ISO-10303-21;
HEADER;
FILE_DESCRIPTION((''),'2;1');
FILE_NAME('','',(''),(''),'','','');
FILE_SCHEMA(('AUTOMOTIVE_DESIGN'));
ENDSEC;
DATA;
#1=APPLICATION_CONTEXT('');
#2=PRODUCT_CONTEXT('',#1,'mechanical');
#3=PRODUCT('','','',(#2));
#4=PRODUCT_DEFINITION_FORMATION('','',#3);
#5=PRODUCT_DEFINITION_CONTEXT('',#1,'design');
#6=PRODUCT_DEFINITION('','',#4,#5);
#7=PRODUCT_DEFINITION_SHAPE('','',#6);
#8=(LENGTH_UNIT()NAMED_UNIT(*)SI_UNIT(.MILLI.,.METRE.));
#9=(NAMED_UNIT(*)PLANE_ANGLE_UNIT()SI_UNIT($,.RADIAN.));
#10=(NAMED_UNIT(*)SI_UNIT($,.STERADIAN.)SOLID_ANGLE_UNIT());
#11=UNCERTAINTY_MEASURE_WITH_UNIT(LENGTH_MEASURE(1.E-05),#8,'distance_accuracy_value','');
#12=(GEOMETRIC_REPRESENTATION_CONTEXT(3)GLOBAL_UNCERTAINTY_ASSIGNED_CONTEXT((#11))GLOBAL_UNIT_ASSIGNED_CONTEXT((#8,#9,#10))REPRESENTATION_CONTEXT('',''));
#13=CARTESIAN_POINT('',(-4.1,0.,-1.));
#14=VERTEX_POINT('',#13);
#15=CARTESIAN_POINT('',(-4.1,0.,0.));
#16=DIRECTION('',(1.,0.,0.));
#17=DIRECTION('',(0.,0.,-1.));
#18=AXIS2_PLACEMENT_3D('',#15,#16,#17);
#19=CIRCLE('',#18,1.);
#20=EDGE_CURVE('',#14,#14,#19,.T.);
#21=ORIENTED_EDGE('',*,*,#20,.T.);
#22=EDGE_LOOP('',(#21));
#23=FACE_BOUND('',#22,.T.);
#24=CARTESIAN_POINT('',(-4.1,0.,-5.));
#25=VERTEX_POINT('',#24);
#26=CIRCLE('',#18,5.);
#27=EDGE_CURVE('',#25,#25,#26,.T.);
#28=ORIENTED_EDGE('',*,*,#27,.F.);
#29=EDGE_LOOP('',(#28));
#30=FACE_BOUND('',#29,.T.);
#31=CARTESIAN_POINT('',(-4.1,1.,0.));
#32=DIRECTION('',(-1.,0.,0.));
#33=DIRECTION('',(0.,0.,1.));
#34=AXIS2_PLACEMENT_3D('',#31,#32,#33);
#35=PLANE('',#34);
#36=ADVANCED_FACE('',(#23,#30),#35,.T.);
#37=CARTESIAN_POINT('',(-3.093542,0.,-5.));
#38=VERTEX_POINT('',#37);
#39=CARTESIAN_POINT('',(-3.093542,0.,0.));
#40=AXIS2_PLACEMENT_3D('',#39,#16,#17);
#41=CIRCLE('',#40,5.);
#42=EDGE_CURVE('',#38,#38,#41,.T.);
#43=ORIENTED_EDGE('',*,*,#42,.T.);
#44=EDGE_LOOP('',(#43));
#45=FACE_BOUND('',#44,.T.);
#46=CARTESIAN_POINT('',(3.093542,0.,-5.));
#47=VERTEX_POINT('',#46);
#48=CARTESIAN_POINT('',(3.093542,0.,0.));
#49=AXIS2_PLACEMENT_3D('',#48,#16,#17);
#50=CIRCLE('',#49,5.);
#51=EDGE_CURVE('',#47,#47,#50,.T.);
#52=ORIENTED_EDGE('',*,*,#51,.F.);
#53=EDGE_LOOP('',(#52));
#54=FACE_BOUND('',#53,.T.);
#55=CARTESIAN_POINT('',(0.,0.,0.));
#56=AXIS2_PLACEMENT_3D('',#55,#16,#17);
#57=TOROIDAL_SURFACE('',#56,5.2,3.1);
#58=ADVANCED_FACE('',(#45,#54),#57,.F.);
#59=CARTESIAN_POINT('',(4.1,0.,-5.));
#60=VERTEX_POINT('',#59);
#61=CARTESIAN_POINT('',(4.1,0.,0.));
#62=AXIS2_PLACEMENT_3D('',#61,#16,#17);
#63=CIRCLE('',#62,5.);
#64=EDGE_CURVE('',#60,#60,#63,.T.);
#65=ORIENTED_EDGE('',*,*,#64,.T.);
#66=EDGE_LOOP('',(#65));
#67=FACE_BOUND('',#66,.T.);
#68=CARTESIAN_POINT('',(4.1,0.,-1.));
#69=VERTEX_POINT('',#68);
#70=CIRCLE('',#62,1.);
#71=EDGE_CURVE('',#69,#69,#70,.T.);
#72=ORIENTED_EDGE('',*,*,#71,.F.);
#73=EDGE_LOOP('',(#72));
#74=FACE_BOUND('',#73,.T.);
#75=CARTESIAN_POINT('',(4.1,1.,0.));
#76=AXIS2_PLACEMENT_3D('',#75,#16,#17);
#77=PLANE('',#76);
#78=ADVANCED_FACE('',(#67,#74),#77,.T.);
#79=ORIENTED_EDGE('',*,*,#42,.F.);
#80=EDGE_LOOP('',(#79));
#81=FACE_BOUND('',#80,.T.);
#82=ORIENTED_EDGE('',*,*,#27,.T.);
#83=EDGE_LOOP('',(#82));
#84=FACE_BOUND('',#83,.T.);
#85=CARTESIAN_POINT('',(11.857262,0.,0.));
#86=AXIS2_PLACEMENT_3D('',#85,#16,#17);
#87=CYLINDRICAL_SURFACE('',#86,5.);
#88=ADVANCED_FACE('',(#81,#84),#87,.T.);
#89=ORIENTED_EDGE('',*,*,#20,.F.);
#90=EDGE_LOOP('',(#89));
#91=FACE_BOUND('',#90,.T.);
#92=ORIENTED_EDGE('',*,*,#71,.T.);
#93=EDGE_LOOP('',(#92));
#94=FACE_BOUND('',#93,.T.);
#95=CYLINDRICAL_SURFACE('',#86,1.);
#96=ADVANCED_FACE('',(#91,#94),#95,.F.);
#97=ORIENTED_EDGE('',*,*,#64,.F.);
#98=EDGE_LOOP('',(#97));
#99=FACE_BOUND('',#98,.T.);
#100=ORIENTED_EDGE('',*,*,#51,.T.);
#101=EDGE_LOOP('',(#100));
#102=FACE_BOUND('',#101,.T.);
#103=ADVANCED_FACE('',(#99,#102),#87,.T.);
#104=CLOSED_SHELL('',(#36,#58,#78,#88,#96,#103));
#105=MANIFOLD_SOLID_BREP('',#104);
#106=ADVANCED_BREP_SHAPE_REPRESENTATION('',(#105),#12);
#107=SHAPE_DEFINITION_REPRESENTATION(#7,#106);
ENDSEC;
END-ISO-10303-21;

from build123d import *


with BuildPart() as part:
    # Sketch1 → Revolve1 (revolve)
    with BuildSketch(Plane.XY):
        with BuildLine():
            Line((4.1, 1), (-4.1, 1))
            Line((-4.1, 1), (-4.1, 5))
            Line((-4.1, 5), (-3.09354166, 5))
            ThreePointArc((-3.09354166, 5), (0, 2.1), (3.09354166, 5))
            Line((3.09354166, 5), (4.1, 5))
            Line((4.1, 5), (4.1, 1))
        make_face()
    revolve(axis=Axis((11.857261887, 0, 0), (-1, 0, 0)))


solid = part.part
